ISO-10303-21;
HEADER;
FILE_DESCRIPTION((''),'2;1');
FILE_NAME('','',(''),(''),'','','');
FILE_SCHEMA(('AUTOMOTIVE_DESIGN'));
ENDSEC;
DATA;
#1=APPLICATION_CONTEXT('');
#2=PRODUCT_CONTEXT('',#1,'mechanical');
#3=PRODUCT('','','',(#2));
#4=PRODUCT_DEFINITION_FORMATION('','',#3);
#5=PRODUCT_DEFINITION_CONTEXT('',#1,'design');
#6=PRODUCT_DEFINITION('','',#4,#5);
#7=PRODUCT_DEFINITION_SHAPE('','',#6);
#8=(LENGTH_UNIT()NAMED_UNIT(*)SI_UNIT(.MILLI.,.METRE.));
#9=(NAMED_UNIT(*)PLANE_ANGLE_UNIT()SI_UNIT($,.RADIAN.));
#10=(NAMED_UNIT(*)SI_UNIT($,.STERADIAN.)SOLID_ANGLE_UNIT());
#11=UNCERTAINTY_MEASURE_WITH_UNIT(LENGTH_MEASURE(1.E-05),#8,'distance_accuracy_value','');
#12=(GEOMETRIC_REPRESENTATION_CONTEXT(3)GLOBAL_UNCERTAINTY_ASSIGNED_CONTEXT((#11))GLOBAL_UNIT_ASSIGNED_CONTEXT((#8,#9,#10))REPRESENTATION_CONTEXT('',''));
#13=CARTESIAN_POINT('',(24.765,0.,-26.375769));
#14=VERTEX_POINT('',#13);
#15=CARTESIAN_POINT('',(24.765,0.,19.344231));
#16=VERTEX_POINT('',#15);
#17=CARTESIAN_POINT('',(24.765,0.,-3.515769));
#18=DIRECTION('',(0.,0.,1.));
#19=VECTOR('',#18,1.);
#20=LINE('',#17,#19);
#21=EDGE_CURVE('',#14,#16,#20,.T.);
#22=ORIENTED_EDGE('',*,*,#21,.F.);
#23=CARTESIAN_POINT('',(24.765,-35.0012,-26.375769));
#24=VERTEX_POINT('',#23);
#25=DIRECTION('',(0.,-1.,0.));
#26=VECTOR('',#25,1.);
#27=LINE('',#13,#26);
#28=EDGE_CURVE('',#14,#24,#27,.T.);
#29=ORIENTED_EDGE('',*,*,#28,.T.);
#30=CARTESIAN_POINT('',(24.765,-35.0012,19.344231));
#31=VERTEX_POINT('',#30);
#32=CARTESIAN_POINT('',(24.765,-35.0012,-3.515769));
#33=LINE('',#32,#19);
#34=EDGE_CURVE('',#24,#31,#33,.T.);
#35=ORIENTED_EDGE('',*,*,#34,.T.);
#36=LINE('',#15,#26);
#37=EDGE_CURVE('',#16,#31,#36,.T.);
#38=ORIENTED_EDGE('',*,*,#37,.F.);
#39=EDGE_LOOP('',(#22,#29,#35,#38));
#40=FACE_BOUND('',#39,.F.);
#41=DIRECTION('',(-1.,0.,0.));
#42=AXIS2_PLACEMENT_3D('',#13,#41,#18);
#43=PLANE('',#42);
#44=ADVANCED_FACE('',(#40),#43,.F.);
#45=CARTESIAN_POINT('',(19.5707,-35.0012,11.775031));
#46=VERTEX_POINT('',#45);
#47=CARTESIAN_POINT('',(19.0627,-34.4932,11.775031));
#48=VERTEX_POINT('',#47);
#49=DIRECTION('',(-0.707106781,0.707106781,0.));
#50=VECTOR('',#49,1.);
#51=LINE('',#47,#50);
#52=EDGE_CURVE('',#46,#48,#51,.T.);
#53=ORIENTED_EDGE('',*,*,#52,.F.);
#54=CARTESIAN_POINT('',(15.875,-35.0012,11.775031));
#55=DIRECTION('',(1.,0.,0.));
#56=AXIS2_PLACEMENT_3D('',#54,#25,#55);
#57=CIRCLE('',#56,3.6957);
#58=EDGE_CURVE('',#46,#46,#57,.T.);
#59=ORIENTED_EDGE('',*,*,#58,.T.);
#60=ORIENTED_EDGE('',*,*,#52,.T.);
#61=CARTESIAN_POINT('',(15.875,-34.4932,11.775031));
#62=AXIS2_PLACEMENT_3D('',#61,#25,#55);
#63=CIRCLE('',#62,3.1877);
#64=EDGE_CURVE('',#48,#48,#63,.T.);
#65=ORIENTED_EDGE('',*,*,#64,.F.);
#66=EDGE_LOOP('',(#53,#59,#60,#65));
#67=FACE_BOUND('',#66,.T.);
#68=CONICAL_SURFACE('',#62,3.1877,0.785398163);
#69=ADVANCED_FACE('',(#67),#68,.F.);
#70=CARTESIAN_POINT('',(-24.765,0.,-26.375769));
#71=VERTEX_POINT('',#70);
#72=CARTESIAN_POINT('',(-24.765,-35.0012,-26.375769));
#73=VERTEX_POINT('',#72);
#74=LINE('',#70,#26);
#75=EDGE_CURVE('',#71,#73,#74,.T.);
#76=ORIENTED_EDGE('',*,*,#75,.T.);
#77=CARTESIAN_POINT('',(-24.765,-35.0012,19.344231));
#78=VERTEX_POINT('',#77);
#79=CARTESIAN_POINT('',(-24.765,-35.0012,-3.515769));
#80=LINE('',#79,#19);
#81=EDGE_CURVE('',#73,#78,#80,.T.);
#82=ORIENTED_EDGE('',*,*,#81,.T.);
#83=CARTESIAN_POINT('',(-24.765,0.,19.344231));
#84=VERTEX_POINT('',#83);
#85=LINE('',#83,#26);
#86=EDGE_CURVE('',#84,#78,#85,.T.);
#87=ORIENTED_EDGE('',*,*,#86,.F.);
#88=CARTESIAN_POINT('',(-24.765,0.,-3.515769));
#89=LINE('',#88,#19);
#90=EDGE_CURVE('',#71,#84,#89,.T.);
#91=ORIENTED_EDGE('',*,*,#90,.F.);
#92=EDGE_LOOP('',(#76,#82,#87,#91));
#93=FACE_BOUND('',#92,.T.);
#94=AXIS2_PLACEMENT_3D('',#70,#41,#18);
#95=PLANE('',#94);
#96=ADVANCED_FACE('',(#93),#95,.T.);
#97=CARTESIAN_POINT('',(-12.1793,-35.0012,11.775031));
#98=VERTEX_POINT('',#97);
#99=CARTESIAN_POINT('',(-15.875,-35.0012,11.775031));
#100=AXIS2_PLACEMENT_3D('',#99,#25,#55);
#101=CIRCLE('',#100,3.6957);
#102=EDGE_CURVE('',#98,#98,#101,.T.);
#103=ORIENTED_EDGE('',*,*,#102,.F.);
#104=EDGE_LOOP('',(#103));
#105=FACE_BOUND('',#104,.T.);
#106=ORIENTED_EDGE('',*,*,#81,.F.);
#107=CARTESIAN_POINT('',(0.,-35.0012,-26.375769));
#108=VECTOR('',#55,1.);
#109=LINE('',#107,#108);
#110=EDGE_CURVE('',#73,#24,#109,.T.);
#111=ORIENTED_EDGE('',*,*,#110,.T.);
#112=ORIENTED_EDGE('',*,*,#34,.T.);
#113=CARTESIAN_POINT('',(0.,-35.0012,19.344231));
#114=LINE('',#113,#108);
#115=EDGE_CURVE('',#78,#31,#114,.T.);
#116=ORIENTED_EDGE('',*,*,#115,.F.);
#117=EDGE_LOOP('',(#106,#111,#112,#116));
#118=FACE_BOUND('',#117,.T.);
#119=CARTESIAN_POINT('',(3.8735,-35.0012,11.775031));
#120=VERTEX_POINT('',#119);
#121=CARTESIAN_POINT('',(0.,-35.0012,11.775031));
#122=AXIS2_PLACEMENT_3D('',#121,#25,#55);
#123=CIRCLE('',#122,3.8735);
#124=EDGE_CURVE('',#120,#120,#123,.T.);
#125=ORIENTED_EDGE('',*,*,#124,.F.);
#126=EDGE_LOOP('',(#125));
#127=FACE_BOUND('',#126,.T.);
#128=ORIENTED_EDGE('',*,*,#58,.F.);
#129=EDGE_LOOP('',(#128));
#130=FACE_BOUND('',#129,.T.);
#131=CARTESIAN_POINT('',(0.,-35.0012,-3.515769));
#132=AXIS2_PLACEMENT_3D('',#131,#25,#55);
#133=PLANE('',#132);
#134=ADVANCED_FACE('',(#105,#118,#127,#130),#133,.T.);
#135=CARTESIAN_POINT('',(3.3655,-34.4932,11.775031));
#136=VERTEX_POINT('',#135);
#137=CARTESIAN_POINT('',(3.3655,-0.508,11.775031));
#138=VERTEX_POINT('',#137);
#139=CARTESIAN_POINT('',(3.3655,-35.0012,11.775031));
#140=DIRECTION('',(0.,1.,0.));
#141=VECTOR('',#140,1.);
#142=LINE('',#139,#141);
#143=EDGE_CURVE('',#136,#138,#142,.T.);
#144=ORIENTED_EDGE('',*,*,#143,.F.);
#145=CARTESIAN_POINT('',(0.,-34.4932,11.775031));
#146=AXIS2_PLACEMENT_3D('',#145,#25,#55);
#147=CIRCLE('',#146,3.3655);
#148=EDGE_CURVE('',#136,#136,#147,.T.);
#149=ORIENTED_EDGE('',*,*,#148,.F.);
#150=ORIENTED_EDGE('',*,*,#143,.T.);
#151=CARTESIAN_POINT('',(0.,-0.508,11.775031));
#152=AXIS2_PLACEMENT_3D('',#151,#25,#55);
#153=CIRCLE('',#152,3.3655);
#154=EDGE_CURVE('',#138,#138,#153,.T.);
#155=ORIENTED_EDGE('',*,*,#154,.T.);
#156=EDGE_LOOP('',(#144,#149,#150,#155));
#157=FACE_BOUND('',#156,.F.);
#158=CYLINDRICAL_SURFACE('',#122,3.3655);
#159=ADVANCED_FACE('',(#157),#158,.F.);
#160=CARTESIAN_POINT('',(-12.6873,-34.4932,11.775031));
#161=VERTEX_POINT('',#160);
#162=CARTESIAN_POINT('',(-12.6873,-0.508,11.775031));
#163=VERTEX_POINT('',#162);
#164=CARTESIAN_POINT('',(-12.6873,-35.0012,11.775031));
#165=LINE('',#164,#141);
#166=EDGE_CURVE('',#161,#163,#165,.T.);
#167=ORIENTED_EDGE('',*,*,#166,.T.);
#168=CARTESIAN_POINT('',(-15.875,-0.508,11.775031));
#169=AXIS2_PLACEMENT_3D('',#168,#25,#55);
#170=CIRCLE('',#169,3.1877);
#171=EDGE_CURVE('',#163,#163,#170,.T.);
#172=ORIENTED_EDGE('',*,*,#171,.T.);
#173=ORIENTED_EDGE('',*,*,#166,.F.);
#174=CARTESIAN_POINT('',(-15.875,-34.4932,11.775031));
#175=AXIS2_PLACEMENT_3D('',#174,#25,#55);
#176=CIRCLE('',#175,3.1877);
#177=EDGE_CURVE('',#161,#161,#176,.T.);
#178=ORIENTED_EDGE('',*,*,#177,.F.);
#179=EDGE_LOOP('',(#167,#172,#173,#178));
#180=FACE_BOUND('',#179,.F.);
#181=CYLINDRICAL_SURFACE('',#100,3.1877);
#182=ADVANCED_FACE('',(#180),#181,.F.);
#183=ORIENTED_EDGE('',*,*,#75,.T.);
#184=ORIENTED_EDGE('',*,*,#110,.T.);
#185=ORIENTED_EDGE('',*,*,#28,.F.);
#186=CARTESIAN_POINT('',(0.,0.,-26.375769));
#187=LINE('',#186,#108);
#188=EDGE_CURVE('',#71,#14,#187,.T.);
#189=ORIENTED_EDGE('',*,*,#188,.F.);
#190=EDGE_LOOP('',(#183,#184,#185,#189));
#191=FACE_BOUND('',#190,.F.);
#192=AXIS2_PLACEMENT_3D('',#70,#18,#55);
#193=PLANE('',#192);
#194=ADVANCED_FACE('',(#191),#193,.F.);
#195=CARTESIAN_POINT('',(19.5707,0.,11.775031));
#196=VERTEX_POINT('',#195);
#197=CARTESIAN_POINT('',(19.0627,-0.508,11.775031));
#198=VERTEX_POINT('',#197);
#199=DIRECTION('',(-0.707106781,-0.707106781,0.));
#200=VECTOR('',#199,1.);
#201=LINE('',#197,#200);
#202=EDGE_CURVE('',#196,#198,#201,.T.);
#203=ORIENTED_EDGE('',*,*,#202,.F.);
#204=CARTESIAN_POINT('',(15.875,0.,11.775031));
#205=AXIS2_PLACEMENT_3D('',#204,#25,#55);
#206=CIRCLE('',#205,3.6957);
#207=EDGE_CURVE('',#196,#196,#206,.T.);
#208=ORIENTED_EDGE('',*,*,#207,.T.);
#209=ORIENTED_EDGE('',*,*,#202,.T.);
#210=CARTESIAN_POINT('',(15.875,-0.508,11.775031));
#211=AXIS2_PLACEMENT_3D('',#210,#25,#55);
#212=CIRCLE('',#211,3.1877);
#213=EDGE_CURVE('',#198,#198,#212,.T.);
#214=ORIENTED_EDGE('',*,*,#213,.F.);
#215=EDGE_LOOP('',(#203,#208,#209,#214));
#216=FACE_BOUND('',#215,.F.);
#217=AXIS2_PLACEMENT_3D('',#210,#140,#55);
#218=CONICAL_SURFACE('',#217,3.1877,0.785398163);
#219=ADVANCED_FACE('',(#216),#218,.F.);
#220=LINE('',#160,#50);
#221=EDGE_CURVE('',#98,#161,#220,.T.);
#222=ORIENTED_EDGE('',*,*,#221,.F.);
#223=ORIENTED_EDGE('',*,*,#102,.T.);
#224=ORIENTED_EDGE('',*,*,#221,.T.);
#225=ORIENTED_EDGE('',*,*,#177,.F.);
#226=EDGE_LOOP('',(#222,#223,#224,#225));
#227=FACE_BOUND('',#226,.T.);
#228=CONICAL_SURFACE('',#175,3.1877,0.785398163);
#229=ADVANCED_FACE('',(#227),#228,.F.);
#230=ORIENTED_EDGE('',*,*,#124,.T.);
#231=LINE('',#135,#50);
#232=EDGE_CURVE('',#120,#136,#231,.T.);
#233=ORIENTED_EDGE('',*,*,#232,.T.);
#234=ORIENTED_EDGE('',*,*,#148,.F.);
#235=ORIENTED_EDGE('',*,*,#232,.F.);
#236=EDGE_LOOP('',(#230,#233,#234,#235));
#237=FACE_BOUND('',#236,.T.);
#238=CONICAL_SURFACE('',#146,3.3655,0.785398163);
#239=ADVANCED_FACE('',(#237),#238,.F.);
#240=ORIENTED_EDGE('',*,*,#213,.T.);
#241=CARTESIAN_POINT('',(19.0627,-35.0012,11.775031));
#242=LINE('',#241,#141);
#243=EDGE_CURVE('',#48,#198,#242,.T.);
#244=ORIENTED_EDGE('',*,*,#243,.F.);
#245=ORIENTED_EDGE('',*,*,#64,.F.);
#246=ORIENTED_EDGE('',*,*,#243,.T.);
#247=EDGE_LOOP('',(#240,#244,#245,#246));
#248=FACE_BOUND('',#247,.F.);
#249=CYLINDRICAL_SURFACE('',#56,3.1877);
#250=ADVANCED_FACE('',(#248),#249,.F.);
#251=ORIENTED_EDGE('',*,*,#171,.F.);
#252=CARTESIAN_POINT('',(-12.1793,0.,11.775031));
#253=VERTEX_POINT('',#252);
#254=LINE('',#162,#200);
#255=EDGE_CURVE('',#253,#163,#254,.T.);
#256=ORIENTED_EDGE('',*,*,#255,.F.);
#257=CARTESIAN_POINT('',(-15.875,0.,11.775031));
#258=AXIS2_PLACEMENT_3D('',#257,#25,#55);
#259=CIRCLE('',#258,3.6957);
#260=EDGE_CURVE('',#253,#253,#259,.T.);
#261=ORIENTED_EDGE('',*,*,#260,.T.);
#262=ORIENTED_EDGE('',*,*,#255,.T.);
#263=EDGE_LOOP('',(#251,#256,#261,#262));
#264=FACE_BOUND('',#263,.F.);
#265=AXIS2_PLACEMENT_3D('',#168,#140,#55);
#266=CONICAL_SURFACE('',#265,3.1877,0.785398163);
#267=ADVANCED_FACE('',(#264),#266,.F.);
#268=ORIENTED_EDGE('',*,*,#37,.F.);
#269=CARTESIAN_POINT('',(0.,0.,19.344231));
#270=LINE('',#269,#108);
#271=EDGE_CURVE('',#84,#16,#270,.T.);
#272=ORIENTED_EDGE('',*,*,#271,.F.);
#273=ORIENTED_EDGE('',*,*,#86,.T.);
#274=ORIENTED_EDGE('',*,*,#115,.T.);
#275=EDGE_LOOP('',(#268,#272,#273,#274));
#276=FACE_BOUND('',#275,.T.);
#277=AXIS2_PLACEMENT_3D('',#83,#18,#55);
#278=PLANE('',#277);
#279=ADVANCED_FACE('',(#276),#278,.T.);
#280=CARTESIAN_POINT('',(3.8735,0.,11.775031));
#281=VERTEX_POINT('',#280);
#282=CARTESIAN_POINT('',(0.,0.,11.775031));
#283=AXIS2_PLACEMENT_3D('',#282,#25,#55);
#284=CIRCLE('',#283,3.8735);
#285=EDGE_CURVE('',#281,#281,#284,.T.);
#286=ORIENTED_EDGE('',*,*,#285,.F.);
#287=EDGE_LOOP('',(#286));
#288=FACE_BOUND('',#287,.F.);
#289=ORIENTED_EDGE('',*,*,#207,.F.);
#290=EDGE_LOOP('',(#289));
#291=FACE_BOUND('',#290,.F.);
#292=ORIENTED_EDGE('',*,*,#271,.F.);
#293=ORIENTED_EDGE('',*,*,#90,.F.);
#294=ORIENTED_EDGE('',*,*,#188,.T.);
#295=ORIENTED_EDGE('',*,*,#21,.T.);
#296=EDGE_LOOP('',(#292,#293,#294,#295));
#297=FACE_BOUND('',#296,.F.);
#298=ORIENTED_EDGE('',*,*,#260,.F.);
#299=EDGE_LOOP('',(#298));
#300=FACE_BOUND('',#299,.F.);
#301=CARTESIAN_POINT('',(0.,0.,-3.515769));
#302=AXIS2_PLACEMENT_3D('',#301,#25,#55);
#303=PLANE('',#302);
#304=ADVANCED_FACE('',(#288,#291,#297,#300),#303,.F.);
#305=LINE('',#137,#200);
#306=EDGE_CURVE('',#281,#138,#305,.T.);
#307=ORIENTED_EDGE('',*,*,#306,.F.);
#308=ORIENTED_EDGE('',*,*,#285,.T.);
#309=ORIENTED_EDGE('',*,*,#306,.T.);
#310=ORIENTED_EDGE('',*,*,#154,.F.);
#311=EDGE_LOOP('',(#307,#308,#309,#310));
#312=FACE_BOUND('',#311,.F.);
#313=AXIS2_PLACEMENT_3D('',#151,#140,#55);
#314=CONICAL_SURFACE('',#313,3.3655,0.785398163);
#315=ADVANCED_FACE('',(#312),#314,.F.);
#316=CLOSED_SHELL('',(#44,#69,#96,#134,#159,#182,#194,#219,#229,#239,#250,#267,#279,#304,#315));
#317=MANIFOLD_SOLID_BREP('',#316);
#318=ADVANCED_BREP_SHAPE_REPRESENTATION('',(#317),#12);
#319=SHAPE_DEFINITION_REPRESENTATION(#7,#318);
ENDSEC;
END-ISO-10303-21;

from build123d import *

# Parameters (mm, degrees)
F0_W     = 49.53
F0_H     = 45.72
F1_DEPTH = 35.0012
F3_R     = 3.1877
F4_DEPTH = 35.0022
F3_R_2   = 3.3655
F5_DEPTH = 35.0022
F6_SIZE  = 0.508


with BuildPart() as f1:
    # F0 (on Front) → F1 (new body)
    with BuildSketch(Plane.XZ):
        with Locations((0, -3.515769)):
            Rectangle(F0_W, F0_H)
    extrude(amount=F1_DEPTH)

    # F3 (on face) → F4 (cut, through all)
    with BuildSketch(Plane.XZ.offset(35.0012)):
        with Locations((-15.875, 11.775031)):
            Circle(F3_R)
        with Locations((15.875, 11.775031)):
            Circle(F3_R)
    extrude(amount=-F4_DEPTH, mode=Mode.SUBTRACT)

    # F3 (on face) → F5 (cut, through all)
    with BuildSketch(Plane.XZ.offset(35.0012)):
        with Locations((0, 11.775031)):
            Circle(F3_R_2)
    extrude(amount=-F5_DEPTH, mode=Mode.SUBTRACT)

    # F6
    f6_edges = [f1.edges().sort_by_distance(p)[0] for p in [
        (-3.3655, 0, 11.775031),
        (12.6873, -35.0012, 11.775031),
        (-3.3655, -35.0012, 11.775031),
        (-19.0627, -35.0012, 11.775031),
        (12.6873, 0, 11.775031),
        (-19.0627, 0, 11.775031),
    ]]
    chamfer(f6_edges, length=F6_SIZE)


solid = f1.part
